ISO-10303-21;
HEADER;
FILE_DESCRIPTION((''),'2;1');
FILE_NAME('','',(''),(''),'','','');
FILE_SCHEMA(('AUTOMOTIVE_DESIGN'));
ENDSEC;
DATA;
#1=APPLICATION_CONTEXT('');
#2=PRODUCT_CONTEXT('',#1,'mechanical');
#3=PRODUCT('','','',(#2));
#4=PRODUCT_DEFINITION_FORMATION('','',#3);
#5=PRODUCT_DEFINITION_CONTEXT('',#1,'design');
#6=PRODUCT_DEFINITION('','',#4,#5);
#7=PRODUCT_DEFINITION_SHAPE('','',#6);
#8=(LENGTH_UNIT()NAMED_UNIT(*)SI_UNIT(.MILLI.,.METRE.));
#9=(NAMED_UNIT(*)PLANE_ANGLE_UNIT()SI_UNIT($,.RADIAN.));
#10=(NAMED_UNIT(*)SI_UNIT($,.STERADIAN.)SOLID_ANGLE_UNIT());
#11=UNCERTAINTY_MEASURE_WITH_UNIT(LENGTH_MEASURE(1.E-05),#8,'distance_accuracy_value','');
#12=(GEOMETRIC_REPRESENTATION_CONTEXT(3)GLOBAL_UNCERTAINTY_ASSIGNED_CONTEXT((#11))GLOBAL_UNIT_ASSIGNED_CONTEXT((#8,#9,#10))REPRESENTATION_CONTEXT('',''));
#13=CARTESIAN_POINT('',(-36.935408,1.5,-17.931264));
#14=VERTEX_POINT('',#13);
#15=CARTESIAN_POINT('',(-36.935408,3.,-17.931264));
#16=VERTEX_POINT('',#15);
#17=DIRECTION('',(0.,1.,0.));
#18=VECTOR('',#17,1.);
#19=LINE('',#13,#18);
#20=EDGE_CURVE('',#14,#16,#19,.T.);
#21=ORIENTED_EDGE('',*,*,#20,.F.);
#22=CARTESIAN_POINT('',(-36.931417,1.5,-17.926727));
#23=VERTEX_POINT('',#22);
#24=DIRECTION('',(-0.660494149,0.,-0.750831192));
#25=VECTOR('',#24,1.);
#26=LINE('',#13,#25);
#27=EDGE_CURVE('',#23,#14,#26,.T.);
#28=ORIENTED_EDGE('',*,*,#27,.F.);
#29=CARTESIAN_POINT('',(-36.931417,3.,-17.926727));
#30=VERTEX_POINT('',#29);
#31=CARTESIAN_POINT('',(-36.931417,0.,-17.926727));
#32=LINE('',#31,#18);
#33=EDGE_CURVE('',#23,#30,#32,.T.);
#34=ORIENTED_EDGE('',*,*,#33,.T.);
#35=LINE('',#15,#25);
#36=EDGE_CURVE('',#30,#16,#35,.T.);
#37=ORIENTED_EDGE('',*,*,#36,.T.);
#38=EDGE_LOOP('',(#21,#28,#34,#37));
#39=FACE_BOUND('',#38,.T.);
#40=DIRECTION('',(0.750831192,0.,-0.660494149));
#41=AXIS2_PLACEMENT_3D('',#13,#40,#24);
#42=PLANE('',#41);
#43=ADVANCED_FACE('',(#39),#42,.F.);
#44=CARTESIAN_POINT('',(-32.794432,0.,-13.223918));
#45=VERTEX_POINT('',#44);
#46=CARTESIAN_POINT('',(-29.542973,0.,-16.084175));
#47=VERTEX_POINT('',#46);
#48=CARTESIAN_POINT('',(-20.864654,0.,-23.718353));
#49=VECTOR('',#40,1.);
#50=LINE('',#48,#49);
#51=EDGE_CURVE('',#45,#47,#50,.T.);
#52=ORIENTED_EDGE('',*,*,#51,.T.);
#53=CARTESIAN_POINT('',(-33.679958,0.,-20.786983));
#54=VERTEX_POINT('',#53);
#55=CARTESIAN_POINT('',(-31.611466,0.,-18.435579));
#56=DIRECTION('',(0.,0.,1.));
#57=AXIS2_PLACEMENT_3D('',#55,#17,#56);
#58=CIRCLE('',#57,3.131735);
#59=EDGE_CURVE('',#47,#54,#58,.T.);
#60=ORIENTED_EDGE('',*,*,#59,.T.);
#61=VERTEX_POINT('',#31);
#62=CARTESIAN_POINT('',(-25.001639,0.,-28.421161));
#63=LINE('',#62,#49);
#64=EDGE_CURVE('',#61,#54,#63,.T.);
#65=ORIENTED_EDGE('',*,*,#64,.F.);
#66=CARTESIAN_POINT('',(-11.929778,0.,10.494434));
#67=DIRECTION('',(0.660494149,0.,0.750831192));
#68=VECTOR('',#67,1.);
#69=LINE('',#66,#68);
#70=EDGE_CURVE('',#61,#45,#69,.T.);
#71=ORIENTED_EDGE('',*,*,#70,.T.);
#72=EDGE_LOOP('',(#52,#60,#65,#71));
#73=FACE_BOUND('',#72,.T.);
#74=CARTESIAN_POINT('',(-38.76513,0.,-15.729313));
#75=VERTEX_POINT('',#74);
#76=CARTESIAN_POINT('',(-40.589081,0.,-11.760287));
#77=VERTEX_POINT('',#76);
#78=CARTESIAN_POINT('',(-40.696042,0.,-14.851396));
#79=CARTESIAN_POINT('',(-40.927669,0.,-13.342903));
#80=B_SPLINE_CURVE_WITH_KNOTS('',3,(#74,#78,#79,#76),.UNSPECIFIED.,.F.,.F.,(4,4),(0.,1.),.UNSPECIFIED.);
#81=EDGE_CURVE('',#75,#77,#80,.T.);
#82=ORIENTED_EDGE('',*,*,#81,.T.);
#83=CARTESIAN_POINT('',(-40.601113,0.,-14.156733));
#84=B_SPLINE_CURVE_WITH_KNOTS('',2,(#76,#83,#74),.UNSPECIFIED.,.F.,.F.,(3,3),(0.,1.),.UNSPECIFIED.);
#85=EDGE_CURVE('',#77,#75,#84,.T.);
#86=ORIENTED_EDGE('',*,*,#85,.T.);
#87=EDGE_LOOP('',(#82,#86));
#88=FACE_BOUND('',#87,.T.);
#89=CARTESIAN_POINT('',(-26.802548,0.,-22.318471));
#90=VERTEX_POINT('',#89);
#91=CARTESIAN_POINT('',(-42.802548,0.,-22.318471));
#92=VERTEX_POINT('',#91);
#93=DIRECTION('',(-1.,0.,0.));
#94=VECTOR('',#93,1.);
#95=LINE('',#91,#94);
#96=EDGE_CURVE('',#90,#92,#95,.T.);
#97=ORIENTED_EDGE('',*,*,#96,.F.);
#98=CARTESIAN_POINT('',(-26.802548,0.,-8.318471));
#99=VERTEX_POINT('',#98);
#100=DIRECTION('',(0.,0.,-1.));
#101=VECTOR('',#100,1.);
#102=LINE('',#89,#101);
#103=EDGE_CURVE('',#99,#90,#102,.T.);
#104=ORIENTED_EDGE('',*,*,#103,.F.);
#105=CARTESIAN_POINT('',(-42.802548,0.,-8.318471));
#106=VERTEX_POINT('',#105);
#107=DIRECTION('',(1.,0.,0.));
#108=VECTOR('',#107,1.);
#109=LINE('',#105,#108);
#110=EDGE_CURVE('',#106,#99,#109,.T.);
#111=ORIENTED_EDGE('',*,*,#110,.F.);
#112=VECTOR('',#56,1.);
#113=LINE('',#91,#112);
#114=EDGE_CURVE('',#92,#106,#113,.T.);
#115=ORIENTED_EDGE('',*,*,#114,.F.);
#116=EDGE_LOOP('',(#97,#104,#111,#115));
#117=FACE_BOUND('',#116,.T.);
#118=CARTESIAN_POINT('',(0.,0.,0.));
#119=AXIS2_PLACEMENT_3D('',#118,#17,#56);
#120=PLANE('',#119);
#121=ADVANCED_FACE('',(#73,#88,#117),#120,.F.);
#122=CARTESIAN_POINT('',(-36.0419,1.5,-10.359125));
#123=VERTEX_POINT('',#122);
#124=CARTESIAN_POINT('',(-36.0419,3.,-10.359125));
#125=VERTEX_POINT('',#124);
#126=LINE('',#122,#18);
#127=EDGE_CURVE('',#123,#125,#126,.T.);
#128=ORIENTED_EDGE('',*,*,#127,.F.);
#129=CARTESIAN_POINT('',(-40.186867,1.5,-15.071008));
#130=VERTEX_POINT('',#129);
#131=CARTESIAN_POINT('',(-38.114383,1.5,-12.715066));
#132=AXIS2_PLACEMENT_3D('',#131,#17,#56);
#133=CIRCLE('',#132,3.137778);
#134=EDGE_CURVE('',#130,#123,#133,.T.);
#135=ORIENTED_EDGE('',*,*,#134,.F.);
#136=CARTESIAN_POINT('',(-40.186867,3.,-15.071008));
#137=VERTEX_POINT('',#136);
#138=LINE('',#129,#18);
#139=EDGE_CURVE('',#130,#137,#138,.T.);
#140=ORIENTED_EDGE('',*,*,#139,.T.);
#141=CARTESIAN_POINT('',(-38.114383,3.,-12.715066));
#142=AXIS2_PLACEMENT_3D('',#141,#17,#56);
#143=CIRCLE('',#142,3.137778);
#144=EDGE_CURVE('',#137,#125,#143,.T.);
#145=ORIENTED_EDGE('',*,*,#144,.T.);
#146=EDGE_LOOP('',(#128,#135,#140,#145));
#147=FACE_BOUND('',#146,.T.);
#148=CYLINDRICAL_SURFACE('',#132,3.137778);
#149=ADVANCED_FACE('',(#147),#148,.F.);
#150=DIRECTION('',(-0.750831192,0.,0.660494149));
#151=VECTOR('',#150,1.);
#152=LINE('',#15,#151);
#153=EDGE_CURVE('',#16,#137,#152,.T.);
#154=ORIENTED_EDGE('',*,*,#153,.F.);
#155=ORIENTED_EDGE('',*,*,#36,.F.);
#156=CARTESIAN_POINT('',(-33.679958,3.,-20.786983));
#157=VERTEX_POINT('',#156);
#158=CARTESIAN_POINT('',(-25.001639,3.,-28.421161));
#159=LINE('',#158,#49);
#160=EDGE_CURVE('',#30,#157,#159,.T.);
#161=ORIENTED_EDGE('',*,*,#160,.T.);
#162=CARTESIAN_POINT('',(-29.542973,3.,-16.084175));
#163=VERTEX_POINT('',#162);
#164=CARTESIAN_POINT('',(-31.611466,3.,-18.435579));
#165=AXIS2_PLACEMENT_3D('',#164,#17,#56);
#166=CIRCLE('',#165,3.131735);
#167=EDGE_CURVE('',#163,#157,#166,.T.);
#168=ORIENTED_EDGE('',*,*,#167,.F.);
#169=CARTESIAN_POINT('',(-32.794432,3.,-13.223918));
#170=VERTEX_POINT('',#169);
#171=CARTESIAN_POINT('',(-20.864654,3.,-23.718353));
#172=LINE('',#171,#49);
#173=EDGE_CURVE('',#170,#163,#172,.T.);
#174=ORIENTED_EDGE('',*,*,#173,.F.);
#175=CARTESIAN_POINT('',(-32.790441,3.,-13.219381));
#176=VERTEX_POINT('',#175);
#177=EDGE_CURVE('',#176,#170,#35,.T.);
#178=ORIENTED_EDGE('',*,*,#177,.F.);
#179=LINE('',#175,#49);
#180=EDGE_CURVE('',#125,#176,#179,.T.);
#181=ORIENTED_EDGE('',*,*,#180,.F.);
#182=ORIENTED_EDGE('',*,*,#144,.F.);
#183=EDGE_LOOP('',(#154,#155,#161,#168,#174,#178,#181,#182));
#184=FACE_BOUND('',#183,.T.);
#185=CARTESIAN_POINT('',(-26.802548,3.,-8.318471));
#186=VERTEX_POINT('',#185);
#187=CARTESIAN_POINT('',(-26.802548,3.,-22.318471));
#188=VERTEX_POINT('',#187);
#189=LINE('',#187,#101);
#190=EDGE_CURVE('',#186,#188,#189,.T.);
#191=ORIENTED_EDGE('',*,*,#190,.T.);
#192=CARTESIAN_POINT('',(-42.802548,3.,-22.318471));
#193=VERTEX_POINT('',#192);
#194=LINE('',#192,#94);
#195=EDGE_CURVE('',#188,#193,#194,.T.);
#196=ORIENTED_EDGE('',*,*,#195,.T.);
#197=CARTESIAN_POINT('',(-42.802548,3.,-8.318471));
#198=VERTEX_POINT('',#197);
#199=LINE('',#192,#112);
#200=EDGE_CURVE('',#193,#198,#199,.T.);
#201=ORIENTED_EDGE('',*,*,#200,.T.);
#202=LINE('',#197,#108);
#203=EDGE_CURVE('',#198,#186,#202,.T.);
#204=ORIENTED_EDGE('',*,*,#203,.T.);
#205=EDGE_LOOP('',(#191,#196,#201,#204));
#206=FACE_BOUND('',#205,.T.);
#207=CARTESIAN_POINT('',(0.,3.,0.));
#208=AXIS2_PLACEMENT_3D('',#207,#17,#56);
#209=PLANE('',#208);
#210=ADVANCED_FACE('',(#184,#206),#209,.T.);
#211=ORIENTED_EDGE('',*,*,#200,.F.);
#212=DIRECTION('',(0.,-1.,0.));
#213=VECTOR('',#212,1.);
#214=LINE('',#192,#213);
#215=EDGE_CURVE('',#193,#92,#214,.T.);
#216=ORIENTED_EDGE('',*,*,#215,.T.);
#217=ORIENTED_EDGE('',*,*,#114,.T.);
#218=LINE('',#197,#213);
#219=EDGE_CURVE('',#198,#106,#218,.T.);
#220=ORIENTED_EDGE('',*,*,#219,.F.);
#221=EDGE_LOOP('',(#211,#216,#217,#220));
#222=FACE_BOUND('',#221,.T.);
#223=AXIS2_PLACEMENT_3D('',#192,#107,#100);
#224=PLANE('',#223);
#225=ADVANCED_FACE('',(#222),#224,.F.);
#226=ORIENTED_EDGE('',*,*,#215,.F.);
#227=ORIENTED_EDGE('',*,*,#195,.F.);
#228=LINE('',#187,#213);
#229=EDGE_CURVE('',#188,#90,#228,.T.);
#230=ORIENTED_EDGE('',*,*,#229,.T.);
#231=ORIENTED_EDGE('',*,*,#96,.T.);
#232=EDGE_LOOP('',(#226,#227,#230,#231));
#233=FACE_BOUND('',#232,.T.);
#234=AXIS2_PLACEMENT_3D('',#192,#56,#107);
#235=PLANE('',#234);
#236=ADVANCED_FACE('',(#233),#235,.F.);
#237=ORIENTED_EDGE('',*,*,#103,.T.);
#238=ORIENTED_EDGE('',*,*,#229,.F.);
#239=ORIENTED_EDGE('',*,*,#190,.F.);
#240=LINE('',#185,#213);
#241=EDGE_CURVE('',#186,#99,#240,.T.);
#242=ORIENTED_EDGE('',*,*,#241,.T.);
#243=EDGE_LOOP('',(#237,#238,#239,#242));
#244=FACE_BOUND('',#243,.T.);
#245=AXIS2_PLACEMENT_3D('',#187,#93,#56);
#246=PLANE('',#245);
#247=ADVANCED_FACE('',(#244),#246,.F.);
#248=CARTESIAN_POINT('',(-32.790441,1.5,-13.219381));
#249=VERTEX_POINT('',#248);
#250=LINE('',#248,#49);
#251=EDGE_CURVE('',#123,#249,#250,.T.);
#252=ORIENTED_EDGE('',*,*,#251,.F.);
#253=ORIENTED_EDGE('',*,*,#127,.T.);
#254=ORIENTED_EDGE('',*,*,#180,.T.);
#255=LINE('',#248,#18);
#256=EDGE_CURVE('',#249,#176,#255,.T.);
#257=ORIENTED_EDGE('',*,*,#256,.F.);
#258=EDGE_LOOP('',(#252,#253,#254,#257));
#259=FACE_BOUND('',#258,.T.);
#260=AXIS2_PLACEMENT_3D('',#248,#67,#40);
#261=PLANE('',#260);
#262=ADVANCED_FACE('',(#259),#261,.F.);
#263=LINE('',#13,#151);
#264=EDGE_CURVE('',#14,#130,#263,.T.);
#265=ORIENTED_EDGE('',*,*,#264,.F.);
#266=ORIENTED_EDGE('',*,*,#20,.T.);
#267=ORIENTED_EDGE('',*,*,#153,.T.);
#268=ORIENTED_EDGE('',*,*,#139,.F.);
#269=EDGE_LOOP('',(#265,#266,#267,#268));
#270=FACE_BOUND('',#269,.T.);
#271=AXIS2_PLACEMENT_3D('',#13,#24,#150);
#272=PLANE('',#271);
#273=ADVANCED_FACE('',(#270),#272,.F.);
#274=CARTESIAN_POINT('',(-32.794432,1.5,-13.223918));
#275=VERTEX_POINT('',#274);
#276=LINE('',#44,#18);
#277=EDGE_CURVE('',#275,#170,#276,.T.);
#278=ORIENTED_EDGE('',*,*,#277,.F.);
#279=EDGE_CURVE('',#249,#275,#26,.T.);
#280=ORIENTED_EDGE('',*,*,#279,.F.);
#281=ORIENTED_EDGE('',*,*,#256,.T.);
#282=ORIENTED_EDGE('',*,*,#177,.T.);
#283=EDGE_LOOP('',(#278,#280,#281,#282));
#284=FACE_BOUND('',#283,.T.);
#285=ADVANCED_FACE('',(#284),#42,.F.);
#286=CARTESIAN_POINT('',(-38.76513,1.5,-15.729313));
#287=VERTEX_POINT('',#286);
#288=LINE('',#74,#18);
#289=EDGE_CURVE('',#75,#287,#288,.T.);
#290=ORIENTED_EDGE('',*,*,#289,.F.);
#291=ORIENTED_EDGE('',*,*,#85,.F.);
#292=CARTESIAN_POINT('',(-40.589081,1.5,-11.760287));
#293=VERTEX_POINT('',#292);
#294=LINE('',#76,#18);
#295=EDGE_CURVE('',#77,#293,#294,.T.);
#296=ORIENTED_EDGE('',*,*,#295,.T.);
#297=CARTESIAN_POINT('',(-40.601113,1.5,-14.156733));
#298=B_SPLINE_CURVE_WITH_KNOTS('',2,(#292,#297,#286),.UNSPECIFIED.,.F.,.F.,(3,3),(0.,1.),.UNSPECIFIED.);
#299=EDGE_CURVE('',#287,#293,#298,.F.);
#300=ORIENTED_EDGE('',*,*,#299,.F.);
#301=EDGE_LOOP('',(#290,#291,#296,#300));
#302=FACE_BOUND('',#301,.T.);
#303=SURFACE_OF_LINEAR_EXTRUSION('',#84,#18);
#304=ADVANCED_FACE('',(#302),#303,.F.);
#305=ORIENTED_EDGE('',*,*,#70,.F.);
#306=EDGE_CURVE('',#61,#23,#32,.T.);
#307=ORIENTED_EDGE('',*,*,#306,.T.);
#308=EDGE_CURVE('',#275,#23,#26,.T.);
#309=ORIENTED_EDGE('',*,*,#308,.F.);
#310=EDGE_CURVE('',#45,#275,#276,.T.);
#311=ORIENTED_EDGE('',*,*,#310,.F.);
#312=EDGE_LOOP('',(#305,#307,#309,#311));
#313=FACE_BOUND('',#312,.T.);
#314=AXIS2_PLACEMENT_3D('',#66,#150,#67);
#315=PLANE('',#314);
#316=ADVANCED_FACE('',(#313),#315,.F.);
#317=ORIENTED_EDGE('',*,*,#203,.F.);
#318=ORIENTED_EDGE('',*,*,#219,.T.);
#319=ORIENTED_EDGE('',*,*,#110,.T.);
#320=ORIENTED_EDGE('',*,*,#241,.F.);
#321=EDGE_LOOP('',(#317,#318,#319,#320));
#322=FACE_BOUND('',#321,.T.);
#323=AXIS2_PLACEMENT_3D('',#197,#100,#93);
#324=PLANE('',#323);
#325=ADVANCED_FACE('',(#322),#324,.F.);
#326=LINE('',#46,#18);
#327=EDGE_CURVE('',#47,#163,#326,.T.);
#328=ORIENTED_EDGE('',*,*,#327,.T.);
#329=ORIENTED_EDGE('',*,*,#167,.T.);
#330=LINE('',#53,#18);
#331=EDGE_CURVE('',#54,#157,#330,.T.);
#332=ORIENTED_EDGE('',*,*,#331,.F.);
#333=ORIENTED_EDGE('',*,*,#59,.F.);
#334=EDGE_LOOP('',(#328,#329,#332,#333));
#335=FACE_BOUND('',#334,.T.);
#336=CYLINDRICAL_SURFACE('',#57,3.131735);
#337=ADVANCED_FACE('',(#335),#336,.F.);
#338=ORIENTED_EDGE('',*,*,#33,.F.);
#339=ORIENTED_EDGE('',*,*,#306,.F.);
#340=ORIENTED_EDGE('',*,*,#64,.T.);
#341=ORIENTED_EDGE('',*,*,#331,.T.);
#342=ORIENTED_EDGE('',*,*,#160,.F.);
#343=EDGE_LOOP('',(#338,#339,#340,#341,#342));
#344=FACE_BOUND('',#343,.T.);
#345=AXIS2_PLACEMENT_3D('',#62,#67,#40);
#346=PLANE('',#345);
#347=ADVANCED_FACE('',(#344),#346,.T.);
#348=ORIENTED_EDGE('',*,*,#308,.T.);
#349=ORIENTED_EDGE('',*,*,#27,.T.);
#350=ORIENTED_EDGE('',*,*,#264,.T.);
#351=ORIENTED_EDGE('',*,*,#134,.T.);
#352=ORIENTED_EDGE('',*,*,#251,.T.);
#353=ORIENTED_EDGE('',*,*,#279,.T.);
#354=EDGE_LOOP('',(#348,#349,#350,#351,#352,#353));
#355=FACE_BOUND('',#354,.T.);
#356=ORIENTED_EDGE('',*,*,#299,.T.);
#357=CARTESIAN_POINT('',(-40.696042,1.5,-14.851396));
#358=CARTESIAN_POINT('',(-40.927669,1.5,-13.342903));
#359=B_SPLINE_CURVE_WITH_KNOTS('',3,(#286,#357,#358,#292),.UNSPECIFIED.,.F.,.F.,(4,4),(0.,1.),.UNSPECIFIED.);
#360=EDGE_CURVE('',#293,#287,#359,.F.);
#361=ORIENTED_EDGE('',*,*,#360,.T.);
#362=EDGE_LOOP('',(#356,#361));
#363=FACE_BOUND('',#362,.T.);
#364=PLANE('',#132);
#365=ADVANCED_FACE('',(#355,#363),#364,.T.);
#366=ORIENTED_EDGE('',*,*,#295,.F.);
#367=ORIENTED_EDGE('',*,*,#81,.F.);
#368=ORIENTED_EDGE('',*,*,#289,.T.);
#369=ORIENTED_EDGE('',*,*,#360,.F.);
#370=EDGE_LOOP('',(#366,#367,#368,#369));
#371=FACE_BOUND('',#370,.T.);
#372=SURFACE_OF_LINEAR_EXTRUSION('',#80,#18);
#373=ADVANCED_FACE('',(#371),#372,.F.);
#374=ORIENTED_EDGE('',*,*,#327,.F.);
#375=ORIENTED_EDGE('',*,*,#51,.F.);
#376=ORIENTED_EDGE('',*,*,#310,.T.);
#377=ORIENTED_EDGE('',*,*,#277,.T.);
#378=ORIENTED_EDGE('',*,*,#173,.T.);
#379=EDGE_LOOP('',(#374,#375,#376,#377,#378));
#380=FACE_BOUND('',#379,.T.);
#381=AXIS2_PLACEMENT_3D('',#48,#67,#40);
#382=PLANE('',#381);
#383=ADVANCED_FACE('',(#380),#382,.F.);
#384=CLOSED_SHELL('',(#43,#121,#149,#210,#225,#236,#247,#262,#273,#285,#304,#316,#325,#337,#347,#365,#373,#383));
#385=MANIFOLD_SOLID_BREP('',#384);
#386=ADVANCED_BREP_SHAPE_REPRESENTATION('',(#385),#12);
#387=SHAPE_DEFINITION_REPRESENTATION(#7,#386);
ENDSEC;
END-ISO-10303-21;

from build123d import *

# Parameters (mm, degrees)
SKETCH1_W           = 16
SKETCH1_H           = 14
BOSS_EXTRUDE1_DEPTH = 3
CUT_EXTRUDE2_DEPTH  = 3
CUT_EXTRUDE3_DEPTH  = 1.5


with BuildPart() as part:
    # Sketch1 → Boss-Extrude1 (new body)
    with BuildSketch(Plane(origin=(0, 0, 0), x_dir=(1, 0, 0), z_dir=(0, 1, 0))):
        with Locations((-34.802547771, 15.318471338)):
            Rectangle(SKETCH1_W, SKETCH1_H)
    extrude(amount=BOSS_EXTRUDE1_DEPTH)

    # Sketch2 → Cut-Extrude2 (cut)
    with BuildSketch(Plane(origin=(0, 3, 0), x_dir=(1, 0, 0), z_dir=(0, 1, 0))):
        with BuildLine():
            Line((-33.679958269, 20.786982613), (-36.931417033, 17.926726524))
            Line((-36.931417033, 17.926726524), (-32.794432226, 13.223918421))
            Line((-32.794432226, 13.223918421), (-29.542973461, 16.08417451))
            ThreePointArc((-29.542973461, 16.08417451), (-29.260061814, 20.504070965), (-33.679958269, 20.786982613))
        make_face()
        with BuildLine():
            add(Edge.make_bspline(
                [(-40.589081196, 11.760287037), (-40.601113462, 14.156732858), (-38.765129592, 15.72931278)],
                knots=[0, 0, 0, 1, 1, 1], degree=2))
            add(Edge.make_bspline(
                [(-38.765129592, 15.72931278), (-40.696042452, 14.851396093), (-40.927669041, 13.342903488), (-40.589081196, 11.760287037)],
                knots=[0, 0, 0, 0, 1, 1, 1, 1], degree=3))
        make_face()
    extrude(amount=-CUT_EXTRUDE2_DEPTH, mode=Mode.SUBTRACT)

    # Sketch3 → Cut-Extrude3 (cut)
    with BuildSketch(Plane(origin=(0, 3, 0), x_dir=(1, 0, 0), z_dir=(0, 1, 0))):
        with BuildLine():
            Line((-32.790440937, 13.219381237), (-36.041899701, 10.359125148))
            ThreePointArc((-36.041899701, 10.359125148), (-40.470324629, 10.642582691), (-40.186867086, 15.071007619))
            Line((-40.186867086, 15.071007619), (-36.935408322, 17.931263708))
            Line((-36.935408322, 17.931263708), (-32.790440937, 13.219381237))
        make_face()
    extrude(amount=-CUT_EXTRUDE3_DEPTH, mode=Mode.SUBTRACT)


solid = part.part
